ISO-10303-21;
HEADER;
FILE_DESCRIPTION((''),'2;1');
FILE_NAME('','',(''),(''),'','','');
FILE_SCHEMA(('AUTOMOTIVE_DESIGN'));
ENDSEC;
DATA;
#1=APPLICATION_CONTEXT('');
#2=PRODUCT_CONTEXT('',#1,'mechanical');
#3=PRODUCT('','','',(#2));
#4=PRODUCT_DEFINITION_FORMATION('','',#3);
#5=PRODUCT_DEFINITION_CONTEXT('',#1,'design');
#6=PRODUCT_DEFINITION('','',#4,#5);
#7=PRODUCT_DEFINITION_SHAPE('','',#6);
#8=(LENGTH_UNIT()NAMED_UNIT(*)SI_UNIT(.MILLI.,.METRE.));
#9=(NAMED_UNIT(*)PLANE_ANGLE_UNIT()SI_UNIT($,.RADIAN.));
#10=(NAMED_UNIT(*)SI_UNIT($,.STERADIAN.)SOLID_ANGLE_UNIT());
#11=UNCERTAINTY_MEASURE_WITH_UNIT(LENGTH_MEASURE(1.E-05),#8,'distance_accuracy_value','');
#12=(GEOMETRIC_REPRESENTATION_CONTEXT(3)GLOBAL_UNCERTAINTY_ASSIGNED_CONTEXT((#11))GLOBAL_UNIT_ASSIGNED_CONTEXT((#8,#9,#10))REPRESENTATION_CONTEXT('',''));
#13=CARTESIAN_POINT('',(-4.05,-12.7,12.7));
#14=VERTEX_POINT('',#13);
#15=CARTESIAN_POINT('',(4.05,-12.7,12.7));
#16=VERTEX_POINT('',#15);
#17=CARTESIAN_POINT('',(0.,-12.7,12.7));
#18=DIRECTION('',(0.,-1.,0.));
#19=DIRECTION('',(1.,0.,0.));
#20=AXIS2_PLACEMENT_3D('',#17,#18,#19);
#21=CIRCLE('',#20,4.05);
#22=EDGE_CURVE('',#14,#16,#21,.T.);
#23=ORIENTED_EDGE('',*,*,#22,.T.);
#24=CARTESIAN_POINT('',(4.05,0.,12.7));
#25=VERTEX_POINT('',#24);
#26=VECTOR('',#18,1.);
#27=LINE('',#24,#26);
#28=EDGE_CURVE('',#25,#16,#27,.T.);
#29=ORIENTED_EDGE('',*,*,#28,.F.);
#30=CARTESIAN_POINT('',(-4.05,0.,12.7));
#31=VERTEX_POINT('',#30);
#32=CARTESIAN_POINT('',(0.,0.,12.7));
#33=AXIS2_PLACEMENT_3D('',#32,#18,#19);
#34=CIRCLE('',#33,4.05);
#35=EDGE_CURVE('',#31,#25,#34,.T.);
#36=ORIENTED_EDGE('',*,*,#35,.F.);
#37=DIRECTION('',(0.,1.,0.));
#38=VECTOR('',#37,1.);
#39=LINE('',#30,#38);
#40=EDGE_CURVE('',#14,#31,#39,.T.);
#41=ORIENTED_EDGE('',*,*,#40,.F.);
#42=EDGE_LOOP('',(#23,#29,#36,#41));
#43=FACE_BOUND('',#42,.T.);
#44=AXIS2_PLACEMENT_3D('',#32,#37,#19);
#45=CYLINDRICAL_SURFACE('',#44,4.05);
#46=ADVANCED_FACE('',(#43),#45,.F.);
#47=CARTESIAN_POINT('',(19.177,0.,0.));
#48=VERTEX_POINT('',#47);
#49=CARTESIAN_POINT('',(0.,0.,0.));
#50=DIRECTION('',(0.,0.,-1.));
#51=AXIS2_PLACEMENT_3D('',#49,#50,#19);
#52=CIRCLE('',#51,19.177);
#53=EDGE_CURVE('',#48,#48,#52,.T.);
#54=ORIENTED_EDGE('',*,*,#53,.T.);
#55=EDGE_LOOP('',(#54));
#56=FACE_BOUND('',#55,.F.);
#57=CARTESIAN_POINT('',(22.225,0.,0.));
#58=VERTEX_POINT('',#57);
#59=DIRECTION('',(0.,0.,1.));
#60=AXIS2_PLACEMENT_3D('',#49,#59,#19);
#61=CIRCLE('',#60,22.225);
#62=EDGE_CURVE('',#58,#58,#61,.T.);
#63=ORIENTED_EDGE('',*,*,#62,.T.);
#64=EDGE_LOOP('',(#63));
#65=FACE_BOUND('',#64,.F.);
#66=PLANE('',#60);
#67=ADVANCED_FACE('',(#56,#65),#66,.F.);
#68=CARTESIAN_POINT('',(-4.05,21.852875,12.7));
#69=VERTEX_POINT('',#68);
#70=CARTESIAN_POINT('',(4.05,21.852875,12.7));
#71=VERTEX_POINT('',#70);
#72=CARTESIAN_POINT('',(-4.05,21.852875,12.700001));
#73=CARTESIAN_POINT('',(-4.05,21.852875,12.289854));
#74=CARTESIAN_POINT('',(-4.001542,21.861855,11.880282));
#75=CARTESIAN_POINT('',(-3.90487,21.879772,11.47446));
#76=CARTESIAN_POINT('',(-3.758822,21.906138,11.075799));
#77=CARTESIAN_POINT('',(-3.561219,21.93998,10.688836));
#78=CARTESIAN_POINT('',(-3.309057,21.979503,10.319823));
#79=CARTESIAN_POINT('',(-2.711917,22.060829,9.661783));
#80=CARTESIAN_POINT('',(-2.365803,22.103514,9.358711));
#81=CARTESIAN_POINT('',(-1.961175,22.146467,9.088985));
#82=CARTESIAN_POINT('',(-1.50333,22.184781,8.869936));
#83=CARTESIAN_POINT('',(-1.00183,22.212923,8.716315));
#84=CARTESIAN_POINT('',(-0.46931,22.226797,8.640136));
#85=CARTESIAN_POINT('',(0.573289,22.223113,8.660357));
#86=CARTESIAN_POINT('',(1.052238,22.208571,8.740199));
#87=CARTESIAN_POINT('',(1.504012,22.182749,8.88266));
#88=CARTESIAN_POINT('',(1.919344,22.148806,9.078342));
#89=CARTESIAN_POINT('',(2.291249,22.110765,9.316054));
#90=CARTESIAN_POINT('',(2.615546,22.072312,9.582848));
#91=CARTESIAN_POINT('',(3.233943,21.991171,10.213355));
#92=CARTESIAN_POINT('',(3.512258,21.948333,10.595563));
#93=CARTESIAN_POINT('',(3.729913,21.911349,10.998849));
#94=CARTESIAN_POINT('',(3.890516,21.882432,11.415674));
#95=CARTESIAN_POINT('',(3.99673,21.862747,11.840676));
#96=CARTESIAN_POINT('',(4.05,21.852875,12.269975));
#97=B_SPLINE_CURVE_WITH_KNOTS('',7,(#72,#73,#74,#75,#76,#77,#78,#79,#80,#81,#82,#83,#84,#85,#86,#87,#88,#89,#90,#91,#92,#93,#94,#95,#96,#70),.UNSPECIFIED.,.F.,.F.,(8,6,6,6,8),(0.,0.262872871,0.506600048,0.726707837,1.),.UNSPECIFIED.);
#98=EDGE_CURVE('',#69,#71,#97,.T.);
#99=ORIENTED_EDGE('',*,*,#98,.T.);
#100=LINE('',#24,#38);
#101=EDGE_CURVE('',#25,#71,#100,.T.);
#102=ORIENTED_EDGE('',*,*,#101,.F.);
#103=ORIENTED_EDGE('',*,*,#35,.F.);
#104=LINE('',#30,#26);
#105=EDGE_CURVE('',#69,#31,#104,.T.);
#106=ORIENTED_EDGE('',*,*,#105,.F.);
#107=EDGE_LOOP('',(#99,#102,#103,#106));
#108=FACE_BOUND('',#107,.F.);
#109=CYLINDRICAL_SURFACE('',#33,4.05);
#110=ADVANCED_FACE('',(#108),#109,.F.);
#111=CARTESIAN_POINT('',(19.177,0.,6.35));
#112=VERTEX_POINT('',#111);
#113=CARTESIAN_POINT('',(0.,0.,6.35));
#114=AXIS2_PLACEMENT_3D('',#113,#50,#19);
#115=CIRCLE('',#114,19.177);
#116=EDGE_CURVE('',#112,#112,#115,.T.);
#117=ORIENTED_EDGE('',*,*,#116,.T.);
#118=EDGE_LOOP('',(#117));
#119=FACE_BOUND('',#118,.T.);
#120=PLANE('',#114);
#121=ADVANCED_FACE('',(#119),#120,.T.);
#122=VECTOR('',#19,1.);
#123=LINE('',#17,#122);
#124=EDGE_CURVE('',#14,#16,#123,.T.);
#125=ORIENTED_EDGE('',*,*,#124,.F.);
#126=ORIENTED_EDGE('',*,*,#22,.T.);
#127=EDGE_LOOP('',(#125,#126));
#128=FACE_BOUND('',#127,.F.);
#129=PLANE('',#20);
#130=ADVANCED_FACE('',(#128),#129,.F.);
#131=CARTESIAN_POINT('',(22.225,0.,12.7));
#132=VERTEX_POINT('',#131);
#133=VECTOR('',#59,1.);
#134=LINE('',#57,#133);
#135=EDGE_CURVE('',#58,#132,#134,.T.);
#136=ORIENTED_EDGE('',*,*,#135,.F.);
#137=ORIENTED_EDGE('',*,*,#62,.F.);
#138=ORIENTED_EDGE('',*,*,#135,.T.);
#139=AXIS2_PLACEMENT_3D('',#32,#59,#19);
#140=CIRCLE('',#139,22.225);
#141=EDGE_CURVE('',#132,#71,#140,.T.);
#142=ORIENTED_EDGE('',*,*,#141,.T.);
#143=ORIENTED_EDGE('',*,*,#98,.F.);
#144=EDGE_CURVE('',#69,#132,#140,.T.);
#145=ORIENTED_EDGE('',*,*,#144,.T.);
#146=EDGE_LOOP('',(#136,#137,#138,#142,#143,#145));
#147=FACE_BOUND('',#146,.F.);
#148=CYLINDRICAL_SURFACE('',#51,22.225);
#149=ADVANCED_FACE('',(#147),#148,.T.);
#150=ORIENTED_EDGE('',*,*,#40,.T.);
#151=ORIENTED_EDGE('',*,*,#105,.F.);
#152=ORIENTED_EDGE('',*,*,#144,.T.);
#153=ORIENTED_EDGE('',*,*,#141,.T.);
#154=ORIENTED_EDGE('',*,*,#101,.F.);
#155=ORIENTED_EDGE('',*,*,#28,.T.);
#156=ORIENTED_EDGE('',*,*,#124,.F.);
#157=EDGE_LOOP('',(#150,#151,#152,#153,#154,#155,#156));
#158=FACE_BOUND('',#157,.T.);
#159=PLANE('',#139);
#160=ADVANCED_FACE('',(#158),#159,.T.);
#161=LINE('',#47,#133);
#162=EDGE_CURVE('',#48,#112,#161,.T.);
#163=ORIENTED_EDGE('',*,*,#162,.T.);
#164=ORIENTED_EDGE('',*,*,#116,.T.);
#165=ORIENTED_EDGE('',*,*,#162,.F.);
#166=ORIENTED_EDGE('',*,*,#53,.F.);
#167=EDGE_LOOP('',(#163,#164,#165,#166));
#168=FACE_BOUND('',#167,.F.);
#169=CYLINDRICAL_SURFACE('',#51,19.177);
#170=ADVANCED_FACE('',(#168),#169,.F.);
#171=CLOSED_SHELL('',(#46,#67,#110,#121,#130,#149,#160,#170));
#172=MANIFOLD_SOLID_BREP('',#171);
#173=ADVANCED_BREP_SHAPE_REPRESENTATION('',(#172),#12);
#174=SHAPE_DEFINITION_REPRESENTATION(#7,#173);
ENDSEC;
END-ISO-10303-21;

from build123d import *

# Parameters (mm, degrees)
F0_R     = 22.225
F1_DEPTH = 12.7
F2_R     = 19.177
F3_DEPTH = 6.35
F4_R     = 4.05
F5_DEPTH = 22.226
F6_DEPTH = 12.7


with BuildPart() as f1:
    # F0 (on Top) → F1 (new body)
    with BuildSketch(Plane.XY):
        Circle(F0_R)
    extrude(amount=F1_DEPTH)

    # F2 (on face) → F3 (cut)
    with BuildSketch(Plane(origin=(0, 0, 0), x_dir=(1, 0, 0), z_dir=(0, 0, -1))):
        Circle(F2_R)
    extrude(amount=-F3_DEPTH, mode=Mode.SUBTRACT)

    # F4 (on Front) → F5 (cut, through all)
    with BuildSketch(Plane.XZ):
        with Locations((0, 12.7)):
            Circle(F4_R)
    extrude(amount=-F5_DEPTH, mode=Mode.SUBTRACT)

    # F4 (on Front) → F6 (cut)
    with BuildSketch(Plane.XZ):
        with Locations((0, 12.7)):
            Circle(F4_R)
    extrude(amount=F6_DEPTH, mode=Mode.SUBTRACT)


solid = f1.part
